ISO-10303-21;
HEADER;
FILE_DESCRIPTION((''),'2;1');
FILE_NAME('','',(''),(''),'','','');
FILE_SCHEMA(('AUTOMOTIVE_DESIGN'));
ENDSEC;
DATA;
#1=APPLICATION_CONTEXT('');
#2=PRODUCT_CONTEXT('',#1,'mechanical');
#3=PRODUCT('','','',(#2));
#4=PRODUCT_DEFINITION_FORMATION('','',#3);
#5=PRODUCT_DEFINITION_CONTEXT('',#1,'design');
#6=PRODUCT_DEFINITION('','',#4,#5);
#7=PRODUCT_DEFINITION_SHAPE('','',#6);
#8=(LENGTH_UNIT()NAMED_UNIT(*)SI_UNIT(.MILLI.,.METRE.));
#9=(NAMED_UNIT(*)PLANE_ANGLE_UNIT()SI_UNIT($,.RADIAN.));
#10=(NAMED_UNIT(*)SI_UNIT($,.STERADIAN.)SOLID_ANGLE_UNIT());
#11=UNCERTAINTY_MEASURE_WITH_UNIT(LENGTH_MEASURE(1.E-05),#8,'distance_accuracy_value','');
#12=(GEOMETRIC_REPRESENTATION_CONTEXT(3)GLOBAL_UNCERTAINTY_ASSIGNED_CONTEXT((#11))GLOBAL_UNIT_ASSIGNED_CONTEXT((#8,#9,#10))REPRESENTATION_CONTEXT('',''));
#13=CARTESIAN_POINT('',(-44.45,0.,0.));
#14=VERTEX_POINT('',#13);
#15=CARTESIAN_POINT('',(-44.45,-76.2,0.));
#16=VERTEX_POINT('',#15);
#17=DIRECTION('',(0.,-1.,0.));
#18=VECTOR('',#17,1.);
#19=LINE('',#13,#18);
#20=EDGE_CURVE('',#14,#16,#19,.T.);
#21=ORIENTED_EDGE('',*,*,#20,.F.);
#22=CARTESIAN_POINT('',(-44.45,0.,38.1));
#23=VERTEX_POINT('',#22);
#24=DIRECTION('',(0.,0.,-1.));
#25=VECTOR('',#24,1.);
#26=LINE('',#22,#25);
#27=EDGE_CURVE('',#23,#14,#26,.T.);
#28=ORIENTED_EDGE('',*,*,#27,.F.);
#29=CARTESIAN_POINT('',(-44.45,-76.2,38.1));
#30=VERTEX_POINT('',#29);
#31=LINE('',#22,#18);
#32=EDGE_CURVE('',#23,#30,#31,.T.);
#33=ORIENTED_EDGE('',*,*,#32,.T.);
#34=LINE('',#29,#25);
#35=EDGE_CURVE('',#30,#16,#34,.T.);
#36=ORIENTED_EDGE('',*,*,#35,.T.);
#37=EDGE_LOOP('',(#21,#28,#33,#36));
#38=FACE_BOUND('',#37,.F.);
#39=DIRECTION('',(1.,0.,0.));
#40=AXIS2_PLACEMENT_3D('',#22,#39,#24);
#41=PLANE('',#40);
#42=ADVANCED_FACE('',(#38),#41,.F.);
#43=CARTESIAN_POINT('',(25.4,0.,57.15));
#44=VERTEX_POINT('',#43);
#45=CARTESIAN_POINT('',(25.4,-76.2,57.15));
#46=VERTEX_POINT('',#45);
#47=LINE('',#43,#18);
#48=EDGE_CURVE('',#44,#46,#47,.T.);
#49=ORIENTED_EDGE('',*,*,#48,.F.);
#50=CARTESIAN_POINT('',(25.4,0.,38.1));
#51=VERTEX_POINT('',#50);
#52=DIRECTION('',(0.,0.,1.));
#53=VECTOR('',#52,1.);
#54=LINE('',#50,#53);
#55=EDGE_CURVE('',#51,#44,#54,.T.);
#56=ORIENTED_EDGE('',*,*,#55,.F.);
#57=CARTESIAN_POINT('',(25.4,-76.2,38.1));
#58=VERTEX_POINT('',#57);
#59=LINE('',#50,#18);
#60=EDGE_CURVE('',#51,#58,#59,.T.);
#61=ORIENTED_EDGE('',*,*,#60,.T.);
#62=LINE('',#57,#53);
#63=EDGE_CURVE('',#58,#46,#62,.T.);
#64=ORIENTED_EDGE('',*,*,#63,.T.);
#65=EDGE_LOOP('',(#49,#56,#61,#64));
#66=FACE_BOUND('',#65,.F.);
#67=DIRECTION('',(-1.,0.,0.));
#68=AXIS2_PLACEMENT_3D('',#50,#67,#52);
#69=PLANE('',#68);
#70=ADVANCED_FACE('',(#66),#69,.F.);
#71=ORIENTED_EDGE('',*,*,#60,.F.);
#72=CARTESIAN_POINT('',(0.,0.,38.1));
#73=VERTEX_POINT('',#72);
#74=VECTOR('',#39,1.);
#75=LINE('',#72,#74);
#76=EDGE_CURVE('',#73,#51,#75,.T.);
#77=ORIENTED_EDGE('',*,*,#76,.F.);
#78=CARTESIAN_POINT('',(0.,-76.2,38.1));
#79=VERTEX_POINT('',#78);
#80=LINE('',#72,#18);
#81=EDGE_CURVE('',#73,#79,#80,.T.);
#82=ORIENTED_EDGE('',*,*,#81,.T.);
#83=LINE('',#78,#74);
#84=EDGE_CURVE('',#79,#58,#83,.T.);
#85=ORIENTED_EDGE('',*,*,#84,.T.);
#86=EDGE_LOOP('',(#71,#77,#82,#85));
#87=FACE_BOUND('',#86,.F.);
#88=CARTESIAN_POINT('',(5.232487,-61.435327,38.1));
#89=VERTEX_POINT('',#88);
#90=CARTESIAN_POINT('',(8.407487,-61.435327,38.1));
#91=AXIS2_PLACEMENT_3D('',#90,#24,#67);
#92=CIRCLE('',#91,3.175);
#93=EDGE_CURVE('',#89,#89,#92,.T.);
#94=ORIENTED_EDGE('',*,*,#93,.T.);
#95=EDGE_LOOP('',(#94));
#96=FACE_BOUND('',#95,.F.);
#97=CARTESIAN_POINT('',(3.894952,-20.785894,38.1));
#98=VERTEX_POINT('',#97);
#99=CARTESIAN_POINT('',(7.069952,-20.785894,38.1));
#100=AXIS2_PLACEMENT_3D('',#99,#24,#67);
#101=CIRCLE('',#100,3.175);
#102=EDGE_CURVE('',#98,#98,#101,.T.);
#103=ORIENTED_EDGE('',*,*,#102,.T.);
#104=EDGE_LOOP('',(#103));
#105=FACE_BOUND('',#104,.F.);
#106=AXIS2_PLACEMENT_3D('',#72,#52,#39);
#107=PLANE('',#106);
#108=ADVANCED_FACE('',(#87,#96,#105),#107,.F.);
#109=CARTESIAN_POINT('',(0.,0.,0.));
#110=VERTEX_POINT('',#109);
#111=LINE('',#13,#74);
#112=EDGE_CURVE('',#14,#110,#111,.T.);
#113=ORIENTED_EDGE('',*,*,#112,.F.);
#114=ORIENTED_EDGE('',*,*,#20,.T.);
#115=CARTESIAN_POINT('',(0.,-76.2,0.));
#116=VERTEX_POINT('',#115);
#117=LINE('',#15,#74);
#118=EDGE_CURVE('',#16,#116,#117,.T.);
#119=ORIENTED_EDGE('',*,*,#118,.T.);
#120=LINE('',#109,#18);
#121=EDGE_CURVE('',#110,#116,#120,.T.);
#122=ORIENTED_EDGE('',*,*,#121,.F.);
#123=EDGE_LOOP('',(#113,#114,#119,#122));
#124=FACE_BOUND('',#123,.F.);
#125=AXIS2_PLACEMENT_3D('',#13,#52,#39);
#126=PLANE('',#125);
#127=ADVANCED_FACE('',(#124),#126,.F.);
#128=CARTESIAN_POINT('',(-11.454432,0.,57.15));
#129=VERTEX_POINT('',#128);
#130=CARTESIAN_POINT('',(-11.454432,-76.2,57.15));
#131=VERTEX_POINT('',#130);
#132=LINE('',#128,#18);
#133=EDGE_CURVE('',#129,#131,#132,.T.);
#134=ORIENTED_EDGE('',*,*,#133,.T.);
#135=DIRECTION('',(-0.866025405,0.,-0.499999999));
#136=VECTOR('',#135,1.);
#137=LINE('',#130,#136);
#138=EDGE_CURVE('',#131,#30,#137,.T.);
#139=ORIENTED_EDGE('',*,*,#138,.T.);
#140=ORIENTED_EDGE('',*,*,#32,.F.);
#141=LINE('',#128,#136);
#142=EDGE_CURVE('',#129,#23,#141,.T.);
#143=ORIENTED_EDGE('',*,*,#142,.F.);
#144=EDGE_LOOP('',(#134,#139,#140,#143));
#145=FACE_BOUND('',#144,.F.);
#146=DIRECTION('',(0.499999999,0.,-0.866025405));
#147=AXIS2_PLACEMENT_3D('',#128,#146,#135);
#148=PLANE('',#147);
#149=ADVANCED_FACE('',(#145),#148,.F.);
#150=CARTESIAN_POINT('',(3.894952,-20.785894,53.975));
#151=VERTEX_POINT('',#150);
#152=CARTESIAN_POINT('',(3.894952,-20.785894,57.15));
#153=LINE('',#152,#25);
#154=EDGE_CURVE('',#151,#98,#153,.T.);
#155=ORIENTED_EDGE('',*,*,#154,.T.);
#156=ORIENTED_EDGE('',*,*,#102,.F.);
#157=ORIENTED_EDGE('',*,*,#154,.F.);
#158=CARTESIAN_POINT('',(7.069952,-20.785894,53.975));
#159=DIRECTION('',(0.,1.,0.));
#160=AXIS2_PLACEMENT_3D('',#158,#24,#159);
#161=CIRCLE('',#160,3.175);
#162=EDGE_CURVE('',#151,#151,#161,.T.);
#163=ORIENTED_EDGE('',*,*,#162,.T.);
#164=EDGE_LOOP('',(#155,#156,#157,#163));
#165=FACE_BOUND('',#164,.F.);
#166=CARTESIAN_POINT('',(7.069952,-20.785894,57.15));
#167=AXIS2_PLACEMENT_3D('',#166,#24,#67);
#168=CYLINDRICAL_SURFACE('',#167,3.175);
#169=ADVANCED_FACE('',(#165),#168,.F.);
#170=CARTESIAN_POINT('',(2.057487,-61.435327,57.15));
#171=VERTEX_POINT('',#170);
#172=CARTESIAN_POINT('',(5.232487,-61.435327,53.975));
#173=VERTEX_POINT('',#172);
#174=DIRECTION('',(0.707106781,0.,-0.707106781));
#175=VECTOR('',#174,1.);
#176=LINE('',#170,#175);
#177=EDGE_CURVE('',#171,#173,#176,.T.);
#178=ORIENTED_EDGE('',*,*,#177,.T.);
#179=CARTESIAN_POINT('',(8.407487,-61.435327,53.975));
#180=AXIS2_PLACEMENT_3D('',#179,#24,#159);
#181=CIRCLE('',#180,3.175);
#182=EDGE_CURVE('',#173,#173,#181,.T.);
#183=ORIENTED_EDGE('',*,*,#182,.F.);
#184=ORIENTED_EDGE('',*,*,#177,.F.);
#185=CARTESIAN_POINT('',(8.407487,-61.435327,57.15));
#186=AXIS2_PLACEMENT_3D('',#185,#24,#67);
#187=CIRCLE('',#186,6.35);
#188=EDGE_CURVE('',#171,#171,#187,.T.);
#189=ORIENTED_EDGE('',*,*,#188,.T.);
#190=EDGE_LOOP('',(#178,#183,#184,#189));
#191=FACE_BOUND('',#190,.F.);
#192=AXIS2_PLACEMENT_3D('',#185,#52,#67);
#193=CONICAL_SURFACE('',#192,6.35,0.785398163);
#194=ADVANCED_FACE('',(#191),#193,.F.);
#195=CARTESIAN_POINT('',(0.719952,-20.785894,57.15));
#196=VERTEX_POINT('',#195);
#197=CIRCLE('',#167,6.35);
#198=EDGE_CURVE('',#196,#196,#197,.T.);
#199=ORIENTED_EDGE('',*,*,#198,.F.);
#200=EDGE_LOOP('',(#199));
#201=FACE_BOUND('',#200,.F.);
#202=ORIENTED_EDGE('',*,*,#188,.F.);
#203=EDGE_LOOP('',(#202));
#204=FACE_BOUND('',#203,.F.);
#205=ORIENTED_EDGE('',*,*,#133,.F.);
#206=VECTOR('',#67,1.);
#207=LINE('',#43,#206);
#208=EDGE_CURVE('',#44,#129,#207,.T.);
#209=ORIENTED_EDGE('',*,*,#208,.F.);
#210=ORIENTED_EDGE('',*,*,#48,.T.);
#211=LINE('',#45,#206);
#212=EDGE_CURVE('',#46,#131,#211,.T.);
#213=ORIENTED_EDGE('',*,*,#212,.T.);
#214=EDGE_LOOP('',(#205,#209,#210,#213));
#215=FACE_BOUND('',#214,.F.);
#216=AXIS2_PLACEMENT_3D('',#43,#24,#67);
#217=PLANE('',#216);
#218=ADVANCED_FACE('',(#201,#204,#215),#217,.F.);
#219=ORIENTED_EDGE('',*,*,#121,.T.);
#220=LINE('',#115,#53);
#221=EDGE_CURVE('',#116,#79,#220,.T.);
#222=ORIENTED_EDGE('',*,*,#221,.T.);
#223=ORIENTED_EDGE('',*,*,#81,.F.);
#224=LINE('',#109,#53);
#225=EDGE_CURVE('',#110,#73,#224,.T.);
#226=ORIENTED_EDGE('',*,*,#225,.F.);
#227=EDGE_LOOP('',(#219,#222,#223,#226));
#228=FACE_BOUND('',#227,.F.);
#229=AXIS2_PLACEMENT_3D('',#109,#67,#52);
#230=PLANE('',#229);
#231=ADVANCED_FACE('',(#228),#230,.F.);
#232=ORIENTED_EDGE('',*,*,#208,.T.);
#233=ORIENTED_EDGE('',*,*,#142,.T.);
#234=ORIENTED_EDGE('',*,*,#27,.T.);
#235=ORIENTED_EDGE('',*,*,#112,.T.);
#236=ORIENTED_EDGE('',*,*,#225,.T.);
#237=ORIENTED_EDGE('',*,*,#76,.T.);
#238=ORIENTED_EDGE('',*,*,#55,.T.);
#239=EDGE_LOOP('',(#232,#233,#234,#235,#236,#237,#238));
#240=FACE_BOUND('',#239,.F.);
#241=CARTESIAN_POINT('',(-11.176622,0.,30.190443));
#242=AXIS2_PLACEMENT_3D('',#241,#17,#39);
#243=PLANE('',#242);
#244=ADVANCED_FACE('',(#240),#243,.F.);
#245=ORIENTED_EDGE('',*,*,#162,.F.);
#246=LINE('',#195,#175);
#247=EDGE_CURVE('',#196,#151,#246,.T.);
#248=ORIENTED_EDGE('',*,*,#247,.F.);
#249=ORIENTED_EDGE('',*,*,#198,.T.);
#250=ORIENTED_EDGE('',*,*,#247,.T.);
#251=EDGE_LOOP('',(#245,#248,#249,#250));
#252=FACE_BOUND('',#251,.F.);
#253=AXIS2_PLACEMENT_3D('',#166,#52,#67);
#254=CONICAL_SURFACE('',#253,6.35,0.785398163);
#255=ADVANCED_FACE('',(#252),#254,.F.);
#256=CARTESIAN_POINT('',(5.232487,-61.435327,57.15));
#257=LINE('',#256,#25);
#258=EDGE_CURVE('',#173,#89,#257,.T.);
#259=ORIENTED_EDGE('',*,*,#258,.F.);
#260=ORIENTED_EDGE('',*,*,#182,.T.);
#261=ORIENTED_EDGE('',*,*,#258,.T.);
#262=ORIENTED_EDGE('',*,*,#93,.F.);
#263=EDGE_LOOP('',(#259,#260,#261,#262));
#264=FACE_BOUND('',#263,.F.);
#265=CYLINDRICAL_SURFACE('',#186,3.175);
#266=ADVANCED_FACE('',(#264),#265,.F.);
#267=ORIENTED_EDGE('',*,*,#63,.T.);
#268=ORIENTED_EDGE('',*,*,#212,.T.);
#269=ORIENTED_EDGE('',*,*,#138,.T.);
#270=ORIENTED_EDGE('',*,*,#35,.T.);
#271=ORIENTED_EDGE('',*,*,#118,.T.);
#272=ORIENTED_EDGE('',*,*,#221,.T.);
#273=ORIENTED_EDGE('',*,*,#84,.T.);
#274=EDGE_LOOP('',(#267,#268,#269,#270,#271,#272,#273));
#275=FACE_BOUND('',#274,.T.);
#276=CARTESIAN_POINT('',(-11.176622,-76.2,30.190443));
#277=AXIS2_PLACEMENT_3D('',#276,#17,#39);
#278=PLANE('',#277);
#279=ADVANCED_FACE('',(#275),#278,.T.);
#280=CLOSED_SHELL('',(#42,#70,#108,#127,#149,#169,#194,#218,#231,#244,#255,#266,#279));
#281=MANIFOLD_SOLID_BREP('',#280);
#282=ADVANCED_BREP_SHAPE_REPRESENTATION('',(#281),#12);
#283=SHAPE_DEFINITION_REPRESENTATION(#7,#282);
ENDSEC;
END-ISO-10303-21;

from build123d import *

# Parameters (mm, degrees)
F1_DEPTH       = 76.2
F3_D           = 6.35
F3_CSINK_D     = 12.7
F3_CSINK_ANGLE = 90


with BuildPart() as f1:
    # F0 (on Front) → F1 (new body)
    with BuildSketch(Plane.XZ):
        Polygon((-44.45, 0), (0, 0), (0, 38.1), (25.4, 38.1), (25.4, 57.15), (-11.454432, 57.15), (-44.45, 38.1), align=None)
    extrude(amount=F1_DEPTH)

    # F3 (through all)
    with Locations(Plane.XY.offset(57.15)):
        with Locations((8.407487, -61.435327), (7.069952, -20.785894)):
            CounterSinkHole(F3_D / 2, F3_CSINK_D / 2, counter_sink_angle=F3_CSINK_ANGLE)


solid = f1.part
